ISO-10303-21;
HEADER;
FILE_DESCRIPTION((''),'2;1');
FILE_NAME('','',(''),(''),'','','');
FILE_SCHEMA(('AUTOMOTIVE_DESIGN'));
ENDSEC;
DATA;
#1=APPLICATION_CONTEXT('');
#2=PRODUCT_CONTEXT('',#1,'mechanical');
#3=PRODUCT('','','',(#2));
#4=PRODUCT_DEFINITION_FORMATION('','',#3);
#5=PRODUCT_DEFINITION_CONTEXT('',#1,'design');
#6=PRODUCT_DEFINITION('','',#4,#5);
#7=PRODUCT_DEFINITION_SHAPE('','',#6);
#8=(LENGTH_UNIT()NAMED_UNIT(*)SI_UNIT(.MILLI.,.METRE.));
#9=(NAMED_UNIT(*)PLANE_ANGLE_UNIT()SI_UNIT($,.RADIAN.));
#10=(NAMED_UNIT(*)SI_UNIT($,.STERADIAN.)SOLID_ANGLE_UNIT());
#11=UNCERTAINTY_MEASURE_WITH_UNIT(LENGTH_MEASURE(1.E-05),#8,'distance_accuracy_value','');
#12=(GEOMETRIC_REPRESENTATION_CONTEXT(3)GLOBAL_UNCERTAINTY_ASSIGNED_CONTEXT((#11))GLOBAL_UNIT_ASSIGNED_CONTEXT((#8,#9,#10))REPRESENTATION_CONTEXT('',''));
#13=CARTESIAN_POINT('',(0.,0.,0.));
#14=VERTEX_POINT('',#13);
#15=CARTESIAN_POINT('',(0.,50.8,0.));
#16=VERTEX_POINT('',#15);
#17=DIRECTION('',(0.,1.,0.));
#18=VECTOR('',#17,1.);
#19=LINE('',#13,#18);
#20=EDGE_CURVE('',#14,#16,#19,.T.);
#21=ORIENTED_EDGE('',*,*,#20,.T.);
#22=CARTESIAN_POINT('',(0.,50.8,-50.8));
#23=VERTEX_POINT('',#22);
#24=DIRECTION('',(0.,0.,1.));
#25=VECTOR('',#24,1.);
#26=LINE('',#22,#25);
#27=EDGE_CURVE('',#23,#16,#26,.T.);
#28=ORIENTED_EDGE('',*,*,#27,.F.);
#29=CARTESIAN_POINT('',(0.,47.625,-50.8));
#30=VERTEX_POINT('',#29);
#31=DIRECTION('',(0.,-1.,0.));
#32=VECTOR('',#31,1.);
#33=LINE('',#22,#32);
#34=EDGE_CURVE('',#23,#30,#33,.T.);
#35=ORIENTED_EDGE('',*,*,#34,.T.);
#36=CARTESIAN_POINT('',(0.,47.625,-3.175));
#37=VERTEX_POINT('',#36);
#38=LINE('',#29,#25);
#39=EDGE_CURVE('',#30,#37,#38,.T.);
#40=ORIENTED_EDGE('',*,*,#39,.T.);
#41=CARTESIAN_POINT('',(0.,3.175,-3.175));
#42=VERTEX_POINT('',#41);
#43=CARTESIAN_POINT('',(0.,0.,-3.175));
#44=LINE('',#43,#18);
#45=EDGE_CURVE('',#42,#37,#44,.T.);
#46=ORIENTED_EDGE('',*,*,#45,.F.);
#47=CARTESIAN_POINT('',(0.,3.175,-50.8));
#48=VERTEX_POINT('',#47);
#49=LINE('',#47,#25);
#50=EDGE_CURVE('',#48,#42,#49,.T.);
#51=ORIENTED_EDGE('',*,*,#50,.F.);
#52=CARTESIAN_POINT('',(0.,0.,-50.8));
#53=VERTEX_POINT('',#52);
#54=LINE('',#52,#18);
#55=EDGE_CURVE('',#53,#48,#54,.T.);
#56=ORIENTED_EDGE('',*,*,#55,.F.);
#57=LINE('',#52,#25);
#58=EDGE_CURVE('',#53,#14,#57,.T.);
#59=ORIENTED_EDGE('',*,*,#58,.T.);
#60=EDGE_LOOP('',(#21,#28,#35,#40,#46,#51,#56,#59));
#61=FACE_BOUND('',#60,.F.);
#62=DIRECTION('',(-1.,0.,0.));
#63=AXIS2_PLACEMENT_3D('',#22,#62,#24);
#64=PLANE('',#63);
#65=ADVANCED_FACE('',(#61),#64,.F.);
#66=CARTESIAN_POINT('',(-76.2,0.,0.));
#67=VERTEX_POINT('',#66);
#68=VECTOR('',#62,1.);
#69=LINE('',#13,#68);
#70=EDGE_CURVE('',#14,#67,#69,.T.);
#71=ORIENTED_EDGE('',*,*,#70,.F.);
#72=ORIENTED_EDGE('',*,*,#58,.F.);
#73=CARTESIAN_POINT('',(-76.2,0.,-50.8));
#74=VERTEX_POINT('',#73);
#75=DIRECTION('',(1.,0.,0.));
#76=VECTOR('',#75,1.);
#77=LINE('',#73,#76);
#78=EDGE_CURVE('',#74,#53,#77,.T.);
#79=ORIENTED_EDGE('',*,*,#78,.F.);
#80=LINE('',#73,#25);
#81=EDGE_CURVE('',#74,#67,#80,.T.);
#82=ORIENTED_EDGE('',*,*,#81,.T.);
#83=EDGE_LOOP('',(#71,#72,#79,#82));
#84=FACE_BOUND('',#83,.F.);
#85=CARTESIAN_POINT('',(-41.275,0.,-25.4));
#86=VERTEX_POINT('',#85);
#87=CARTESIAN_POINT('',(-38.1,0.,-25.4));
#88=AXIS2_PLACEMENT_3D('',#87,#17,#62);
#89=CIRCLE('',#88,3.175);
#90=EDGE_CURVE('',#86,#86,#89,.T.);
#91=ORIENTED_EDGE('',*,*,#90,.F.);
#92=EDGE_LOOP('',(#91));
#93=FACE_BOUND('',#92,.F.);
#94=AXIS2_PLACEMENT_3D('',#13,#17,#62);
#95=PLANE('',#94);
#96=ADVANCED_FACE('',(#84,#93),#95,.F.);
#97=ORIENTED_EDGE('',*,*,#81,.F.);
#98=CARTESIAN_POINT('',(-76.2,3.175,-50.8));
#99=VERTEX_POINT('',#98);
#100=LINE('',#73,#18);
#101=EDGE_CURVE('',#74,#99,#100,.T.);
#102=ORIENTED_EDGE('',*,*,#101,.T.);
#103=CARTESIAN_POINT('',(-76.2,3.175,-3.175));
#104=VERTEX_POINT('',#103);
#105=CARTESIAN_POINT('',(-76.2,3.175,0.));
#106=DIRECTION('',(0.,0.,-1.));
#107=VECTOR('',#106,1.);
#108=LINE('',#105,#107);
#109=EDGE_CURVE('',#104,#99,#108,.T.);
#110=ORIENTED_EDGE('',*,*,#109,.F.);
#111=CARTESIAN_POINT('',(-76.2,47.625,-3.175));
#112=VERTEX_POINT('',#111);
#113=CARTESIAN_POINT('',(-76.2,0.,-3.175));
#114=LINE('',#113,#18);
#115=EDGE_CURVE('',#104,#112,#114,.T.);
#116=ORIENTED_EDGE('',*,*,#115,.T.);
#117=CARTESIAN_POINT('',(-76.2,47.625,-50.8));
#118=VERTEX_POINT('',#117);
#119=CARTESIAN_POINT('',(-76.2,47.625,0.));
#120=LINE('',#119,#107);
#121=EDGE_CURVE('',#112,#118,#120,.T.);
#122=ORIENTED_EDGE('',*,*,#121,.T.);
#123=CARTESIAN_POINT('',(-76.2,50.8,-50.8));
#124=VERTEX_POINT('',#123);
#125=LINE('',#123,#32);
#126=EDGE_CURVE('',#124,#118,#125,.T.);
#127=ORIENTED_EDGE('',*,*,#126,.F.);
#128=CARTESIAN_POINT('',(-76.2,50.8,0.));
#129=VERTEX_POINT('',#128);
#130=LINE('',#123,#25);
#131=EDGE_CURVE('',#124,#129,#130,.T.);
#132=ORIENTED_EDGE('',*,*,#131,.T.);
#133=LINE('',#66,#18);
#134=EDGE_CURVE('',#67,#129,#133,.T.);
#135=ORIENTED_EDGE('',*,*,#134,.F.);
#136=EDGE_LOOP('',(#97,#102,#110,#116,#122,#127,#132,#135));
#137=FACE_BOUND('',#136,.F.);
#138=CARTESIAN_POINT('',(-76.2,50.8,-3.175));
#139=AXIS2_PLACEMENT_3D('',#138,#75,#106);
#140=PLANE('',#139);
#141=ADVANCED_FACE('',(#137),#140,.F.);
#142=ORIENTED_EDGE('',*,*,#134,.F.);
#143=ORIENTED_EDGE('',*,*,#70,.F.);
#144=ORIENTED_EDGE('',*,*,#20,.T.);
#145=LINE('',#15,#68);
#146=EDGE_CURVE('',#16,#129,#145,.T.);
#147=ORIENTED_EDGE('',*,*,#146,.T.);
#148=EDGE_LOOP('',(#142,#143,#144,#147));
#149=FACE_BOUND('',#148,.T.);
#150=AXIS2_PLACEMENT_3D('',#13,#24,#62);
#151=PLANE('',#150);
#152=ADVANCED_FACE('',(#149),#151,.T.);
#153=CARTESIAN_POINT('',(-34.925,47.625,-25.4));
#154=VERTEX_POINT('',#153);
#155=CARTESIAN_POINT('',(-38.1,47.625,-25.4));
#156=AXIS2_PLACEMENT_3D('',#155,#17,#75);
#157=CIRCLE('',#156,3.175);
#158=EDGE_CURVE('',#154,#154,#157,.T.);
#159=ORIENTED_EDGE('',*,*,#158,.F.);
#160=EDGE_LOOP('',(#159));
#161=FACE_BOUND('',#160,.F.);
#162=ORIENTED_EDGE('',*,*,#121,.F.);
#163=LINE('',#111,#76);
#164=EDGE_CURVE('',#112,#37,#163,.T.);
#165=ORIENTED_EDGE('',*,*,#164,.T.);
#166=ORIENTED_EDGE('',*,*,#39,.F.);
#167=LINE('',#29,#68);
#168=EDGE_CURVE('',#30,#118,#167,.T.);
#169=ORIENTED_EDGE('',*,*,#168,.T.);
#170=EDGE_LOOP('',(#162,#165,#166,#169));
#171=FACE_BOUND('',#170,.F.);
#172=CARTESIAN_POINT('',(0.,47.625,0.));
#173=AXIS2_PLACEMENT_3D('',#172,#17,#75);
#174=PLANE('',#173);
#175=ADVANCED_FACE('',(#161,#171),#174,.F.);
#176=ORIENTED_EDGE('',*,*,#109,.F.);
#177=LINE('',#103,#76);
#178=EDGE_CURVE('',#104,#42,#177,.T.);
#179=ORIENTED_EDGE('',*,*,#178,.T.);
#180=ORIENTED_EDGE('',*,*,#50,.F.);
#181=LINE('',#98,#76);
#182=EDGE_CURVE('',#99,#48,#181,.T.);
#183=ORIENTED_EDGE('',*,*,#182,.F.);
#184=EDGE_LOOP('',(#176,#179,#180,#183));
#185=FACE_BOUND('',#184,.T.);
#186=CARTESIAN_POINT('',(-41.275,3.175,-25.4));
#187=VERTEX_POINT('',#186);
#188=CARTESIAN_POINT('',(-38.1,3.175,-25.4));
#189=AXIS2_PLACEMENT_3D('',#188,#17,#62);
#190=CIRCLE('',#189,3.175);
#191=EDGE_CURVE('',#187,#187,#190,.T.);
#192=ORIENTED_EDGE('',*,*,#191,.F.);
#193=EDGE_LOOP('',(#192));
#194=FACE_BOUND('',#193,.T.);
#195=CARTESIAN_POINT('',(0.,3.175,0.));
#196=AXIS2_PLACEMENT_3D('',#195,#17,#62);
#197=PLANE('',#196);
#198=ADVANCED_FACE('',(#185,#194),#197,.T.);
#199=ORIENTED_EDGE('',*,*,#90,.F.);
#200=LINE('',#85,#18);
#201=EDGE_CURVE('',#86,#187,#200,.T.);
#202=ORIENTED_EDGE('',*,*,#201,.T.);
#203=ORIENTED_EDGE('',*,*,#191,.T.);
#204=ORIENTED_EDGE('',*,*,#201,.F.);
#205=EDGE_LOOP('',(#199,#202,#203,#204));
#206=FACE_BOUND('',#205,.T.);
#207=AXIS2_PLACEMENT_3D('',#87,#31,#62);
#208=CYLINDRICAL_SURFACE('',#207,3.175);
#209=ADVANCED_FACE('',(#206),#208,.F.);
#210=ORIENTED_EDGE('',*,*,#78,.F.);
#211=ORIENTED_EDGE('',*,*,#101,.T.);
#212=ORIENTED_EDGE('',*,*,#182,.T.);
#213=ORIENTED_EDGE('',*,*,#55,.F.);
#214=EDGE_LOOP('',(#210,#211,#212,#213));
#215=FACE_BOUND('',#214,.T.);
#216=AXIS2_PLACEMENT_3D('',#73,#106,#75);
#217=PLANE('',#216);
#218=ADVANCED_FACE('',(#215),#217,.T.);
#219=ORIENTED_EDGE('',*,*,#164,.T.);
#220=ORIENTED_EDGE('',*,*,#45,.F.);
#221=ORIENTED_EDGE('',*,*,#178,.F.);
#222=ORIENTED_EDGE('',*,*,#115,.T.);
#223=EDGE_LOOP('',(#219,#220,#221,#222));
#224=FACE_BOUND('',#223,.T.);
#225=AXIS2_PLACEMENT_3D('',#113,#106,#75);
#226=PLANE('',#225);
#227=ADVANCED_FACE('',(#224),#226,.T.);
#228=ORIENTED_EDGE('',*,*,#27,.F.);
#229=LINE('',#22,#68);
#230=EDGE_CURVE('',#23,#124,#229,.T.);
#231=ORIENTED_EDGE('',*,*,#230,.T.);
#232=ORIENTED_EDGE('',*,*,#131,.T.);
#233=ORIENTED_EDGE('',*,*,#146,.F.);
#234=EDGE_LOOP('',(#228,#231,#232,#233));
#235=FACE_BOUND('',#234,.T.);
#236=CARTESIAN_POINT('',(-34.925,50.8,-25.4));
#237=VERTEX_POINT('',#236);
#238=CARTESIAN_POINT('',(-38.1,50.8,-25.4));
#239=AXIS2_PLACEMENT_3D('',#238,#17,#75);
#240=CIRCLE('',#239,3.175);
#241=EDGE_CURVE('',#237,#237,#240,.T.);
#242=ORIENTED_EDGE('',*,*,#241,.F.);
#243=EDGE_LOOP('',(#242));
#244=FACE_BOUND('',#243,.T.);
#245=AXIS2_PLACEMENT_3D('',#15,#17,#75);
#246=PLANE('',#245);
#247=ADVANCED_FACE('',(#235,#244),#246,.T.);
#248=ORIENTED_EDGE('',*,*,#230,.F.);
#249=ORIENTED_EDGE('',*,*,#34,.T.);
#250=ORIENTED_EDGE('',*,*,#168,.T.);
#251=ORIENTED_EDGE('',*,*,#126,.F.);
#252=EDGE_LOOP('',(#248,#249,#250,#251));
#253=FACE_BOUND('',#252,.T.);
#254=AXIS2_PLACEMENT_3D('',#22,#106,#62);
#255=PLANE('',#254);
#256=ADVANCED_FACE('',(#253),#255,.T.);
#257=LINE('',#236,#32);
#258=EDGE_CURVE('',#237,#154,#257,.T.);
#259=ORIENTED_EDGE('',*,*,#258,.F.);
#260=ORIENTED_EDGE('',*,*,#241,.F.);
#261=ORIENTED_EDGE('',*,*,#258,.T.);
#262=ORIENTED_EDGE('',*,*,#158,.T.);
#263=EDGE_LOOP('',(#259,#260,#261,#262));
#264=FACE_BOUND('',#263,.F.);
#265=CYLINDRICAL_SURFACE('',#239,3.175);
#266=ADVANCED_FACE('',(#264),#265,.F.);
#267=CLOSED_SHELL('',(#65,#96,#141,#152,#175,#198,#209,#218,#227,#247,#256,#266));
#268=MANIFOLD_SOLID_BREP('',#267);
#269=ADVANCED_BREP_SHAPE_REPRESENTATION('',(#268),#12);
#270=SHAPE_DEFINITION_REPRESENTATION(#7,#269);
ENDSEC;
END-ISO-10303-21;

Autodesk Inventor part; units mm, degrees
ref_plane "YZ Plane" through (0, 0, 0) normal (1, 0, 0) x (0, 1, 0)
ref_plane "XZ Plane" through (0, 0, 0) normal (0, 1, 0) x (-1, 0, 0)
ref_plane "XY Plane" through (0, 0, 0) normal (0, 0, 1) x (1, 0, 0)
sketch "Sketch1" plane through (0, 0, 0) normal (0, 1, 0) x (-1, 0, 0)
  line L0 (0, 0) -> (76.2, 0)
  line L1 (76.2, 0) -> (76.2, -50.8)
  line L2 (76.2, -50.8) -> (0, -50.8)
  line L3 (0, -50.8) -> (0, 0)
  line L4 (76.2, -3.175) -> (0, -3.175)
  circle A0 centre (38.1, -25.4) radius 3.175
  dimension "d0" = 76.2
  dimension "d1" = 50.8
  dimension "d2" = 3.175
  dimension "d9" = 6.35
  dimension "d10" = 38.1
  dimension "d11" = 25.4
extrude "Extrusion1" add sketch "Sketch1" along normal blind 3.175 contours L4 L1 L2 L3
extrude "Extrusion2" add sketch "Sketch1" along normal blind 50.8 contours L0 L1 L4 L3
sketch "Sketch2" plane through (0, 50.8, 0) normal (0, 1, 0) x (1, 0, 0)
  line L0 (0, 50.8) -> (-76.2, 50.8) projected
  line L1 (0, 0) -> (-76.2, 0)
  line L2 (-76.2, 0) -> (-76.2, 50.8)
  line L3 (-76.2, 50.8) -> (0, 50.8)
  line L4 (0, 50.8) -> (0, 0)
  line L5 (-76.2, 50.8) -> (-76.2, 3.175) projected
  line L6 (0, 3.175) -> (0, 50.8) projected
  line L7 (-76.2, 3.175) -> (0, 3.175)
  circle A0 centre (-38.1, 25.4) radius 3.175 projected
  circle A1 centre (-38.1, 25.4) radius 3.175
  dimension "d12" = 6.35
extrude "Extrusion3" add sketch "Sketch2" against normal blind 3.175 contours L4 L7 L2 L0
properties part number "Gear Shell"
